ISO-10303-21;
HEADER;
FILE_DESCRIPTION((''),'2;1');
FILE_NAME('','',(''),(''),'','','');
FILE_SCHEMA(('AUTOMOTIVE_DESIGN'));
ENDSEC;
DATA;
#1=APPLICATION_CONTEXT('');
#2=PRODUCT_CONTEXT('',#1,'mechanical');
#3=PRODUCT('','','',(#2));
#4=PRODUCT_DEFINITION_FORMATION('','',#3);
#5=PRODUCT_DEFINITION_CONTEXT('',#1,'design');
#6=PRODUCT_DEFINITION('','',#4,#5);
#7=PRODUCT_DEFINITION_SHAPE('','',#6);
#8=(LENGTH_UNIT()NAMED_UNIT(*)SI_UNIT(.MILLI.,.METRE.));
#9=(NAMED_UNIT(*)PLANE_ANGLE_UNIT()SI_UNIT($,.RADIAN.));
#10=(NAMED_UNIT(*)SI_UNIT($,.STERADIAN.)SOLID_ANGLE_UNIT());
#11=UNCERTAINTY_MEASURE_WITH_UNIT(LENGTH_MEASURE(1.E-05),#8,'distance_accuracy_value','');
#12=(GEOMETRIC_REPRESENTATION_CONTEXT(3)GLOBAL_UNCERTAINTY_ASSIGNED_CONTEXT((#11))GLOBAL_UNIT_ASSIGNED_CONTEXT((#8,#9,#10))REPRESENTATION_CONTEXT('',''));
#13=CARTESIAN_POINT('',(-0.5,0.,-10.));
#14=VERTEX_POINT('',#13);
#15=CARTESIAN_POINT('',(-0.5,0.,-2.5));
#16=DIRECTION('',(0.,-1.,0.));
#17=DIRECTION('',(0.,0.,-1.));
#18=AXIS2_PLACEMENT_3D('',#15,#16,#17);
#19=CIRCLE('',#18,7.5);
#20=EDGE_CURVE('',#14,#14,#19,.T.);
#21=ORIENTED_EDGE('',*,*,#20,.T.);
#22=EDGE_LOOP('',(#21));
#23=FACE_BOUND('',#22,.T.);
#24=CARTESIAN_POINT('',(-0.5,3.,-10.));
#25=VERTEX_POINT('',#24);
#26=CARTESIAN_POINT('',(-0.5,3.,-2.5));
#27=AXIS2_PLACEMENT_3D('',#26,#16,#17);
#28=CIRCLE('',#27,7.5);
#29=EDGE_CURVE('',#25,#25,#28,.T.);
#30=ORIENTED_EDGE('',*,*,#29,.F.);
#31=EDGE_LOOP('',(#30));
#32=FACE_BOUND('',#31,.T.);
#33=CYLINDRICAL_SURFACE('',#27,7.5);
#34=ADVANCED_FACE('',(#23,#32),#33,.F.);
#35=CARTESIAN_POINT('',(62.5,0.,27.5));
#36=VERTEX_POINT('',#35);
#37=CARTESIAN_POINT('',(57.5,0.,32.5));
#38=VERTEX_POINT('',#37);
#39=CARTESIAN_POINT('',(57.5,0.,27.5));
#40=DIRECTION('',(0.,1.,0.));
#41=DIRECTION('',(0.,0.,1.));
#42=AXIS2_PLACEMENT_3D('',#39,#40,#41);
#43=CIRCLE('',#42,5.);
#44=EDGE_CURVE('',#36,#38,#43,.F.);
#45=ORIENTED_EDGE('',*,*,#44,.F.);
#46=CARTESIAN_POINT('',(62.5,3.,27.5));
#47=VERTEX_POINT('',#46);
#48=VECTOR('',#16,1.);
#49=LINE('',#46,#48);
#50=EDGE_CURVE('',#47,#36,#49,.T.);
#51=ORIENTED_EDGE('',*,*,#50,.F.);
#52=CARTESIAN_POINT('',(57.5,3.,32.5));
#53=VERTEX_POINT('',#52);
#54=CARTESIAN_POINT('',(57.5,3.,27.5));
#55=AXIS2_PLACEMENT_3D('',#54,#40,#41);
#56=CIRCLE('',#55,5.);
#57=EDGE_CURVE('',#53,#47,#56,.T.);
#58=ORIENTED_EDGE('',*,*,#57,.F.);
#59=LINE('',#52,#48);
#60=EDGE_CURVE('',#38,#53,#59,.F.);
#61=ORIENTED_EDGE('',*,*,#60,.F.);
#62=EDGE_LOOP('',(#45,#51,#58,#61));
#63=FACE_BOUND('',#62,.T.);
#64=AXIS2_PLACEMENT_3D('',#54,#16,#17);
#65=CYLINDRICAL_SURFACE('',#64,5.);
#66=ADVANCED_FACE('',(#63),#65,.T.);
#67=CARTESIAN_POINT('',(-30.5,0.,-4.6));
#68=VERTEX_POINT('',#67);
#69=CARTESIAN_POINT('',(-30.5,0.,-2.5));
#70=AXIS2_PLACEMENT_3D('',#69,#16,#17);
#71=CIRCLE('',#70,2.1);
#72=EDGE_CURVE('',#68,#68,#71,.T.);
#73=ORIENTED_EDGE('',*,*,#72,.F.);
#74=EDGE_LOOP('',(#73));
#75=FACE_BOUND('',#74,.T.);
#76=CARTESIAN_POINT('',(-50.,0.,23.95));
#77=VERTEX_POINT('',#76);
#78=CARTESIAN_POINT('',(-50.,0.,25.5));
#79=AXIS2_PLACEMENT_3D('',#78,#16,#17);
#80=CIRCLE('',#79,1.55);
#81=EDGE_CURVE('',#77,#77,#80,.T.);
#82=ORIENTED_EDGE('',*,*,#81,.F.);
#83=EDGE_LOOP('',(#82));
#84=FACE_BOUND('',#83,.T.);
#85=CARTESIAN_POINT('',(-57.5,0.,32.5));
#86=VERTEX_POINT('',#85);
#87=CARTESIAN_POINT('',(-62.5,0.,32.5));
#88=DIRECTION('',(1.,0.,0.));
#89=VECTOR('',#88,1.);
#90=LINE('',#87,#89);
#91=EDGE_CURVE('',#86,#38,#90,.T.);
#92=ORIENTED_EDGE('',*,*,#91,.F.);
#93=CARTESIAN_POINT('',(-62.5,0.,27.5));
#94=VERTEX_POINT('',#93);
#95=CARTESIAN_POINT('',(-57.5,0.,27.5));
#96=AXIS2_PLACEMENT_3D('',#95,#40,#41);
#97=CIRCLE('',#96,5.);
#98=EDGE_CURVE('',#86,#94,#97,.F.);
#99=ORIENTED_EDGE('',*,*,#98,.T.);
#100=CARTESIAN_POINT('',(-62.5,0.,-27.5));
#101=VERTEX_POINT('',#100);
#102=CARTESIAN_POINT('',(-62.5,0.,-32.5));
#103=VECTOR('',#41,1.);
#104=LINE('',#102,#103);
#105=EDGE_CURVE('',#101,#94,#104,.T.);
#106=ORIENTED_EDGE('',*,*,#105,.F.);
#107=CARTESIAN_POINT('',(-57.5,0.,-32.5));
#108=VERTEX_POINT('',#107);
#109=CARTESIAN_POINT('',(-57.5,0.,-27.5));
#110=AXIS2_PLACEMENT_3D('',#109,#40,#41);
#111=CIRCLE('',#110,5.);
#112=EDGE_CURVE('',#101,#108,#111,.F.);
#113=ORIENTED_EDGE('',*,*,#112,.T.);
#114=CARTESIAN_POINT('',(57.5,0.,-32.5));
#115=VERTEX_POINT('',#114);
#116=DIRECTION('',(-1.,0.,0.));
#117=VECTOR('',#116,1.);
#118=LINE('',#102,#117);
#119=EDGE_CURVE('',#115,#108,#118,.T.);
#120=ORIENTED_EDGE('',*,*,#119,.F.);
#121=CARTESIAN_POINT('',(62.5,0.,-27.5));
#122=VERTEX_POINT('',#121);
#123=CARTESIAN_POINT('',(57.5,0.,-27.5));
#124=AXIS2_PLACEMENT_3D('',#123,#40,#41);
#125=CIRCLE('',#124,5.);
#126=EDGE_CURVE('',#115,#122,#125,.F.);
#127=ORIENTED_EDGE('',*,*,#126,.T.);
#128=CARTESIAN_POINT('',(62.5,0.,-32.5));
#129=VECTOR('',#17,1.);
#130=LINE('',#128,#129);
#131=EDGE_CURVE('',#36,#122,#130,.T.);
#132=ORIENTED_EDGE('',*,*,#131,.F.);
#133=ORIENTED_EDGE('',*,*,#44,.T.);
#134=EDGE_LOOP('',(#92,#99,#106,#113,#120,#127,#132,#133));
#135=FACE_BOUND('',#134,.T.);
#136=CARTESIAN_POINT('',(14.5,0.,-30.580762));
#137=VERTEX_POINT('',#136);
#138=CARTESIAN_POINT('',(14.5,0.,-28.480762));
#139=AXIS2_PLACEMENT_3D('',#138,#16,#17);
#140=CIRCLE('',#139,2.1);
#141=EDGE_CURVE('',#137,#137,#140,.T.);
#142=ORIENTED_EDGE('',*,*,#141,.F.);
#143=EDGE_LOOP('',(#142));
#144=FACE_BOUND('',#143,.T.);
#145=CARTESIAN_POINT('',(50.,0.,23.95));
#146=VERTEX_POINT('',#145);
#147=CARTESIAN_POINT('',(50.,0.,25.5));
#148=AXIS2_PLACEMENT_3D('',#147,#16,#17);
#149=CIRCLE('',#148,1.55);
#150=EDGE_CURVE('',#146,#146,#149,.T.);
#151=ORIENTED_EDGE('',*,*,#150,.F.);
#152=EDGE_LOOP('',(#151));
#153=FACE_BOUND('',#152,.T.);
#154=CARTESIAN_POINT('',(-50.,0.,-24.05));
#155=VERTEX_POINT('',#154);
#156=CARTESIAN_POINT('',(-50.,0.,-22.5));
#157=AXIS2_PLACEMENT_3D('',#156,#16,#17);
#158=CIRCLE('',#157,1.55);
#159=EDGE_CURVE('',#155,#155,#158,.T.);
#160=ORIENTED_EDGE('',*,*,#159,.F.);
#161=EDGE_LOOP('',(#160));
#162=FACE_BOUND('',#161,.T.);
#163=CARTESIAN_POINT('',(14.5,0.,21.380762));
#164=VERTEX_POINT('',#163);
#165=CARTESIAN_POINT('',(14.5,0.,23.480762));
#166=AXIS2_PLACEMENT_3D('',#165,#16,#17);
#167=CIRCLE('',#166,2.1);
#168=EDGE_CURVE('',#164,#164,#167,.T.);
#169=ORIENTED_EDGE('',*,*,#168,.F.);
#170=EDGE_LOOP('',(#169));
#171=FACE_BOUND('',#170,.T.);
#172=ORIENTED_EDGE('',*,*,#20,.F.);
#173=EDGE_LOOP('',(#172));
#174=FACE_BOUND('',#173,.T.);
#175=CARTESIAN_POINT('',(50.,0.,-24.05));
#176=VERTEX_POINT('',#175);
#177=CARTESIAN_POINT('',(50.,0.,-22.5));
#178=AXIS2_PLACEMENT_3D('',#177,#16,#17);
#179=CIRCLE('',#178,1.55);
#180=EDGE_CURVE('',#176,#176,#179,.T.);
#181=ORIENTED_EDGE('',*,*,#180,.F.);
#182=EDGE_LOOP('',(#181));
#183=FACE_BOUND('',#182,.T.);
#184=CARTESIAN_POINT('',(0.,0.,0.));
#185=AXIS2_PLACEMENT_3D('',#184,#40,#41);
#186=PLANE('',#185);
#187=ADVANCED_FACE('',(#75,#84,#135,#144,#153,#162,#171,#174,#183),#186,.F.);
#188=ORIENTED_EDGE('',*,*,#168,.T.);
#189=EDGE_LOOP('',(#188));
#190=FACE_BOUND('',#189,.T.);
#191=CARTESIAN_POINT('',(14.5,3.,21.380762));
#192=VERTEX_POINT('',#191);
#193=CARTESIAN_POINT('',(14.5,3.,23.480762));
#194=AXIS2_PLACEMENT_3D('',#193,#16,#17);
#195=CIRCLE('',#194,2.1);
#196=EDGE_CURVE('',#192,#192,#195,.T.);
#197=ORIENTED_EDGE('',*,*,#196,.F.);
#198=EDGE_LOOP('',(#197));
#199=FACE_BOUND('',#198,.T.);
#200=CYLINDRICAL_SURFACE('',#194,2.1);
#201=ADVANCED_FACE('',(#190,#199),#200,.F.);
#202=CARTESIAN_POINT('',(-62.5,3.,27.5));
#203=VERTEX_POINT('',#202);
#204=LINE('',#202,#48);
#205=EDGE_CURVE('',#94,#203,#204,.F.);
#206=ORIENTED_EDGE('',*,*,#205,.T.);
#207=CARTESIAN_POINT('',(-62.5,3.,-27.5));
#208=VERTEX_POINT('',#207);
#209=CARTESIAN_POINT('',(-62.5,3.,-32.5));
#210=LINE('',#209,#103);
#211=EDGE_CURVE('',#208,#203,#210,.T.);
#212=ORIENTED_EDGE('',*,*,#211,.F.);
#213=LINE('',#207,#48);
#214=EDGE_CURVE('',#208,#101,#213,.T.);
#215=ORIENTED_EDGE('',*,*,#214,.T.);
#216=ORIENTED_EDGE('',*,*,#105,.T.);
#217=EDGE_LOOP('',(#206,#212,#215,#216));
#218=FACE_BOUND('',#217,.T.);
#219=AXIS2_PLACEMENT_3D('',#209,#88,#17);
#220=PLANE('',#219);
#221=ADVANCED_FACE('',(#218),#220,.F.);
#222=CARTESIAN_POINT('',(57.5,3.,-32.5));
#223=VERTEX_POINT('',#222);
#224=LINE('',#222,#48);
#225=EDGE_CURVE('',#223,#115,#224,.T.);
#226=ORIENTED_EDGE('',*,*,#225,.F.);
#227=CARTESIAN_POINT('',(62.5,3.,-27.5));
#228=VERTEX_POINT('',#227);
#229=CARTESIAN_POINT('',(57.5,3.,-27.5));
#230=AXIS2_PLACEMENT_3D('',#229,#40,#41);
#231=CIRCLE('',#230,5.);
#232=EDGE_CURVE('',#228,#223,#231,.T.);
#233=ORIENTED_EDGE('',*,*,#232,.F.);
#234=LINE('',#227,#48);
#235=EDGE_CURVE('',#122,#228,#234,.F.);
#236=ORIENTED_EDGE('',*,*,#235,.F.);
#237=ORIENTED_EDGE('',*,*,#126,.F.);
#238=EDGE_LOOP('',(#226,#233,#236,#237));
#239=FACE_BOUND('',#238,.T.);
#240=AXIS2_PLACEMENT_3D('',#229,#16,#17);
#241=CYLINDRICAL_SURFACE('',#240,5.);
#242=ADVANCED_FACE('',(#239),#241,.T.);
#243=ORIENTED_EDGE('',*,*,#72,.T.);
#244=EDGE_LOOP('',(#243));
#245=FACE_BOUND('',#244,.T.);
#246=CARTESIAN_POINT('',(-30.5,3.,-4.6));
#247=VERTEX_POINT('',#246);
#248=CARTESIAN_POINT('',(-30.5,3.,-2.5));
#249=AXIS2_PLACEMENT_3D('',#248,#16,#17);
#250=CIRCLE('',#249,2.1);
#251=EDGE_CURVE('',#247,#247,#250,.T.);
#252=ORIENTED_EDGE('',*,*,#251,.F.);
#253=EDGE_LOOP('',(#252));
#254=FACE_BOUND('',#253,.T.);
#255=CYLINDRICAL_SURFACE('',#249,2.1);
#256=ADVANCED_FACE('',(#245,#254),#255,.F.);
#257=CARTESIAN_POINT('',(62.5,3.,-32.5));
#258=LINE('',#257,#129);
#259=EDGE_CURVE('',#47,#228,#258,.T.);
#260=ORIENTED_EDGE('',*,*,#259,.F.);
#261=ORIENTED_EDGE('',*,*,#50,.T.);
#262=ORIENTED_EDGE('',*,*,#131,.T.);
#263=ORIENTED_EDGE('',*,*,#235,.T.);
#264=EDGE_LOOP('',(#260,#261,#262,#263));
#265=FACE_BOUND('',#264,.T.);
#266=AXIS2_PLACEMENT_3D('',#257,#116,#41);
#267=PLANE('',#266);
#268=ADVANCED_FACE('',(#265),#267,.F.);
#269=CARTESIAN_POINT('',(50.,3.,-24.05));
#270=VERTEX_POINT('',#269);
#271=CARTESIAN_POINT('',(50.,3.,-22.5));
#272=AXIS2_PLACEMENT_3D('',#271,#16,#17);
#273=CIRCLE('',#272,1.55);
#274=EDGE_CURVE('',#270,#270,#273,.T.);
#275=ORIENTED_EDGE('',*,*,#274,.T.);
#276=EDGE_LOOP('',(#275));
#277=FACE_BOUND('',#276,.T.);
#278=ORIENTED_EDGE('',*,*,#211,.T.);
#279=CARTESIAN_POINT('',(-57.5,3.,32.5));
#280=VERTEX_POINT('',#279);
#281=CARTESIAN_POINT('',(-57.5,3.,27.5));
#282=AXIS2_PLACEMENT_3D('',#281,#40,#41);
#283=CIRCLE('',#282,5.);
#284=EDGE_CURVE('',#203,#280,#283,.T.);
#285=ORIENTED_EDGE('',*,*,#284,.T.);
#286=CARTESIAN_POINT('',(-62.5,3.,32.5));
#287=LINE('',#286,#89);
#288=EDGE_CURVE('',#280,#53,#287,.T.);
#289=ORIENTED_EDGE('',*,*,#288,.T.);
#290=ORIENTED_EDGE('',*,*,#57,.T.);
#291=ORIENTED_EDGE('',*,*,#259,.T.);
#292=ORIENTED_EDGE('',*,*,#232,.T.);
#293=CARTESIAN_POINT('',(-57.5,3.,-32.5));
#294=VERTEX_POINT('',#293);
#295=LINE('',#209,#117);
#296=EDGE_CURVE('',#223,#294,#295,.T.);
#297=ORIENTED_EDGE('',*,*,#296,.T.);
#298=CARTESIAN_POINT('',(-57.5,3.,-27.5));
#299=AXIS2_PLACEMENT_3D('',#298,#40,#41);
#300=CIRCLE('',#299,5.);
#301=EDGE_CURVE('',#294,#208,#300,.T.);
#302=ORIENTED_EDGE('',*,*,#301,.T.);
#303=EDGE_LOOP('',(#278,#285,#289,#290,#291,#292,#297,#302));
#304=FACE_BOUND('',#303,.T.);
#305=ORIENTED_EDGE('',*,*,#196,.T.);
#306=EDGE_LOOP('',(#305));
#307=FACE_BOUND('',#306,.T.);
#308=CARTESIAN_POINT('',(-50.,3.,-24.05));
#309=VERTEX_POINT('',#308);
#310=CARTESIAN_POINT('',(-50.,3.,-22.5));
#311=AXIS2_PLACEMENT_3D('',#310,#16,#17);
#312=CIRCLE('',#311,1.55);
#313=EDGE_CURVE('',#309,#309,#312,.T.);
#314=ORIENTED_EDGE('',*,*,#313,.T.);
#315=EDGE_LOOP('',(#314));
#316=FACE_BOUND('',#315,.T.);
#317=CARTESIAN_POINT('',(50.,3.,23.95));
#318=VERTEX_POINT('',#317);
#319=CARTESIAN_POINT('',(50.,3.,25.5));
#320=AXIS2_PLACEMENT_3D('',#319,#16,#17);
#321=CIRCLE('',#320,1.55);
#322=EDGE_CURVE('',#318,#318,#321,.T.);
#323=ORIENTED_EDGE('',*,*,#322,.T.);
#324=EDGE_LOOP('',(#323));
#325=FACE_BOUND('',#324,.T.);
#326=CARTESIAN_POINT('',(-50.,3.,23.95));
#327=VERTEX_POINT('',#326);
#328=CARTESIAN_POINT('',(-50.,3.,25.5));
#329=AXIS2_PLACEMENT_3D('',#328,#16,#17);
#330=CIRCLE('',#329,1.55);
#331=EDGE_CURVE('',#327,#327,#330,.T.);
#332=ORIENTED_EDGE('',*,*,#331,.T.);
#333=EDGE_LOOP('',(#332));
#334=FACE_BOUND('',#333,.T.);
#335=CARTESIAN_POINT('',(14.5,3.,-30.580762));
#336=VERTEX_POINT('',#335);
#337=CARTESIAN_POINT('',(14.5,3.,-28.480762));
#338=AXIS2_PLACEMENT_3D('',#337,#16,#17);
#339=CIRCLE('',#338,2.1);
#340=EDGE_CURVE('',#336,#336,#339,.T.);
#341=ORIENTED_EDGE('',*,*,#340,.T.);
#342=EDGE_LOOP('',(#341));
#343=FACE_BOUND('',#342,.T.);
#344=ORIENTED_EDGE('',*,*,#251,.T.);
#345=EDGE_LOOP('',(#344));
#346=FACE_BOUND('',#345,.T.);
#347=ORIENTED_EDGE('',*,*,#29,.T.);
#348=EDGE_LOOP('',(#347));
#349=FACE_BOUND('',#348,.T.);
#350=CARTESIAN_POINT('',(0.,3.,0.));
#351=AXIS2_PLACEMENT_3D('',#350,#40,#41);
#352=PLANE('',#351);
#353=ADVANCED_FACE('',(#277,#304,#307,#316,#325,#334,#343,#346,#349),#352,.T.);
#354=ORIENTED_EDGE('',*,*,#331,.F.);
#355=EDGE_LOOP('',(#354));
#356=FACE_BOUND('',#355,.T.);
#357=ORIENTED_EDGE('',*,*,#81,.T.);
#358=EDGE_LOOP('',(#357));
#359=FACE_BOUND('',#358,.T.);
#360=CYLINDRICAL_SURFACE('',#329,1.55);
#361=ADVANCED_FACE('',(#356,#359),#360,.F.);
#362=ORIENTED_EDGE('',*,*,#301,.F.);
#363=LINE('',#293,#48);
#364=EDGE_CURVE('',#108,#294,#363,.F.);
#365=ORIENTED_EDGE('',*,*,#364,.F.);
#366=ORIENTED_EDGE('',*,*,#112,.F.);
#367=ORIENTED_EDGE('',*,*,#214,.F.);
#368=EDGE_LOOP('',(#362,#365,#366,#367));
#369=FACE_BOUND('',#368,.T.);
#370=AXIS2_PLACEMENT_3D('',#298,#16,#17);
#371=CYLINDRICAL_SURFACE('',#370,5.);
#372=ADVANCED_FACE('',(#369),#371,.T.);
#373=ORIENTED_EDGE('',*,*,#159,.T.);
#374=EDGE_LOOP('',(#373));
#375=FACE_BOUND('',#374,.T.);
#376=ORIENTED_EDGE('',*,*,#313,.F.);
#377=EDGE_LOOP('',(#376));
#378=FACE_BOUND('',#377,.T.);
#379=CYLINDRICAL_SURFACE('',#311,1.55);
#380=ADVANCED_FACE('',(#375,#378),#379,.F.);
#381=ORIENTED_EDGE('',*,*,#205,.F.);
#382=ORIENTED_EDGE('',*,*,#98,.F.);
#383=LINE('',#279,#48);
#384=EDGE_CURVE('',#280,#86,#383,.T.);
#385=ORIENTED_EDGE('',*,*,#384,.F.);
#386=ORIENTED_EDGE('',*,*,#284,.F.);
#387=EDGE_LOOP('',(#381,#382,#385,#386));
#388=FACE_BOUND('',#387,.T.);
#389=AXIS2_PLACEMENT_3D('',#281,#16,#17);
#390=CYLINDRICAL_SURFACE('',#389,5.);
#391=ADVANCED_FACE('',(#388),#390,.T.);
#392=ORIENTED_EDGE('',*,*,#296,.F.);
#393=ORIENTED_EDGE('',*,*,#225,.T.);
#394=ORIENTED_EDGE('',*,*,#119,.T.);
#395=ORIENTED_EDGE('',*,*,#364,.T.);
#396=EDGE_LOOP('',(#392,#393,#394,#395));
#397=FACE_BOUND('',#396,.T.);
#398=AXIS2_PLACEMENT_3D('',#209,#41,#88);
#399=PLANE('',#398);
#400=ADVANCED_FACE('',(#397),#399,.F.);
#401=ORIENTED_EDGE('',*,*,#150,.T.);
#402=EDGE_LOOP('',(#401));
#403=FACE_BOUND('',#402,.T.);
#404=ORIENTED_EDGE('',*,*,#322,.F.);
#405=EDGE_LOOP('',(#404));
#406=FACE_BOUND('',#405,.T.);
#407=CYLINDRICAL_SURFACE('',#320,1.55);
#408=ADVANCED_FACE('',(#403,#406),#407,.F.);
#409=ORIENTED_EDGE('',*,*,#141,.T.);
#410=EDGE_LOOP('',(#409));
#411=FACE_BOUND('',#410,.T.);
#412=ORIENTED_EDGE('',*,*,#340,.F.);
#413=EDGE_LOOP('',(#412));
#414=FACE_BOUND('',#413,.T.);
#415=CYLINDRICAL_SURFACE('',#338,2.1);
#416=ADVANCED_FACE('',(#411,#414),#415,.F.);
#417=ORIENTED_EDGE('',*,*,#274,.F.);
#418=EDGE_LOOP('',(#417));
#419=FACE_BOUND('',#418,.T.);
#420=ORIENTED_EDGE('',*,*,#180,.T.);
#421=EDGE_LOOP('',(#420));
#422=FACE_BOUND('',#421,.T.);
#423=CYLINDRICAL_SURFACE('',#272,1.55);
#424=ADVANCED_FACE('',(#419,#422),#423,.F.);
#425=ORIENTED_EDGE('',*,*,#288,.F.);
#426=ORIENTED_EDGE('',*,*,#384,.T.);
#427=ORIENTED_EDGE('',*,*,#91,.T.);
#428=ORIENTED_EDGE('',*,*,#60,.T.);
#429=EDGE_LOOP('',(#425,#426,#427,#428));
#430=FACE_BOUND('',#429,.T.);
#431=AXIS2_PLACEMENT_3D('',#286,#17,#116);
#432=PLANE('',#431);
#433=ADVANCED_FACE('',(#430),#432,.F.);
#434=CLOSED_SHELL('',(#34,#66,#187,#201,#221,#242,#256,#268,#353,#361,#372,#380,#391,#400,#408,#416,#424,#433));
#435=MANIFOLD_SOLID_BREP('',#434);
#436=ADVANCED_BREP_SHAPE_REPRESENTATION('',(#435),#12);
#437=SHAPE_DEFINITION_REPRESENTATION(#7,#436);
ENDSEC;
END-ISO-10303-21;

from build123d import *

# Parameters (mm, degrees)
SKETCH_1_W          = 125
SKETCH_1_H          = 65
EXTRUDE_1_DEPTH     = 3
SKETCH_2_R          = 1.55
SKETCH_2_R_2        = 2.1
SKETCH_2_R_3        = 7.5
CUT_EXTRUDE_1_DEPTH = 3
FILLET_1_R          = 5


with BuildPart() as part:
    # 草图1 → 凸台-拉伸1 (new body)
    with BuildSketch(Plane(origin=(0, 0, 0), x_dir=(1, 0, 0), z_dir=(0, 1, 0))):
        Rectangle(SKETCH_1_W, SKETCH_1_H)
    extrude(amount=EXTRUDE_1_DEPTH)

    # 草图2 → 切除-拉伸1 (cut)
    with BuildSketch(Plane(origin=(0, 0, 0), x_dir=(-1, 0, 0), z_dir=(0, -1, 0))):
        with Locations(Location((-50, 22.5, 0), (0, 0, 90))):
            Circle(SKETCH_2_R)
        with Locations(Location((-50, -25.5, 0), (0, 0, 90))):
            Circle(SKETCH_2_R)
        with Locations(Location((50, 22.5, 0), (0, 0, 90))):
            Circle(SKETCH_2_R)
        with Locations(Location((50, -25.5, 0), (0, 0, 90))):
            Circle(SKETCH_2_R)
        with Locations(Location((-14.5, -23.480762114, 0), (0, 0, 90))):
            Circle(SKETCH_2_R_2)
        with Locations(Location((-14.5, 28.480762114, 0), (0, 0, 90))):
            Circle(SKETCH_2_R_2)
        with Locations(Location((30.5, 2.5, 0), (0, 0, 90))):
            Circle(SKETCH_2_R_2)
        with Locations(Location((0.5, 2.5, 0), (0, 0, 90))):
            Circle(SKETCH_2_R_3)
    extrude(amount=-CUT_EXTRUDE_1_DEPTH, mode=Mode.SUBTRACT)

    # 圆角1
    fillet_1_edges = [part.edges().sort_by_distance(p)[0] for p in [
        (62.5, 1.5, 32.5),
        (-62.5, 1.5, 32.5),
        (-62.5, 1.5, -32.5),
        (62.5, 1.5, -32.5),
    ]]
    fillet(fillet_1_edges, radius=FILLET_1_R)


solid = part.part
